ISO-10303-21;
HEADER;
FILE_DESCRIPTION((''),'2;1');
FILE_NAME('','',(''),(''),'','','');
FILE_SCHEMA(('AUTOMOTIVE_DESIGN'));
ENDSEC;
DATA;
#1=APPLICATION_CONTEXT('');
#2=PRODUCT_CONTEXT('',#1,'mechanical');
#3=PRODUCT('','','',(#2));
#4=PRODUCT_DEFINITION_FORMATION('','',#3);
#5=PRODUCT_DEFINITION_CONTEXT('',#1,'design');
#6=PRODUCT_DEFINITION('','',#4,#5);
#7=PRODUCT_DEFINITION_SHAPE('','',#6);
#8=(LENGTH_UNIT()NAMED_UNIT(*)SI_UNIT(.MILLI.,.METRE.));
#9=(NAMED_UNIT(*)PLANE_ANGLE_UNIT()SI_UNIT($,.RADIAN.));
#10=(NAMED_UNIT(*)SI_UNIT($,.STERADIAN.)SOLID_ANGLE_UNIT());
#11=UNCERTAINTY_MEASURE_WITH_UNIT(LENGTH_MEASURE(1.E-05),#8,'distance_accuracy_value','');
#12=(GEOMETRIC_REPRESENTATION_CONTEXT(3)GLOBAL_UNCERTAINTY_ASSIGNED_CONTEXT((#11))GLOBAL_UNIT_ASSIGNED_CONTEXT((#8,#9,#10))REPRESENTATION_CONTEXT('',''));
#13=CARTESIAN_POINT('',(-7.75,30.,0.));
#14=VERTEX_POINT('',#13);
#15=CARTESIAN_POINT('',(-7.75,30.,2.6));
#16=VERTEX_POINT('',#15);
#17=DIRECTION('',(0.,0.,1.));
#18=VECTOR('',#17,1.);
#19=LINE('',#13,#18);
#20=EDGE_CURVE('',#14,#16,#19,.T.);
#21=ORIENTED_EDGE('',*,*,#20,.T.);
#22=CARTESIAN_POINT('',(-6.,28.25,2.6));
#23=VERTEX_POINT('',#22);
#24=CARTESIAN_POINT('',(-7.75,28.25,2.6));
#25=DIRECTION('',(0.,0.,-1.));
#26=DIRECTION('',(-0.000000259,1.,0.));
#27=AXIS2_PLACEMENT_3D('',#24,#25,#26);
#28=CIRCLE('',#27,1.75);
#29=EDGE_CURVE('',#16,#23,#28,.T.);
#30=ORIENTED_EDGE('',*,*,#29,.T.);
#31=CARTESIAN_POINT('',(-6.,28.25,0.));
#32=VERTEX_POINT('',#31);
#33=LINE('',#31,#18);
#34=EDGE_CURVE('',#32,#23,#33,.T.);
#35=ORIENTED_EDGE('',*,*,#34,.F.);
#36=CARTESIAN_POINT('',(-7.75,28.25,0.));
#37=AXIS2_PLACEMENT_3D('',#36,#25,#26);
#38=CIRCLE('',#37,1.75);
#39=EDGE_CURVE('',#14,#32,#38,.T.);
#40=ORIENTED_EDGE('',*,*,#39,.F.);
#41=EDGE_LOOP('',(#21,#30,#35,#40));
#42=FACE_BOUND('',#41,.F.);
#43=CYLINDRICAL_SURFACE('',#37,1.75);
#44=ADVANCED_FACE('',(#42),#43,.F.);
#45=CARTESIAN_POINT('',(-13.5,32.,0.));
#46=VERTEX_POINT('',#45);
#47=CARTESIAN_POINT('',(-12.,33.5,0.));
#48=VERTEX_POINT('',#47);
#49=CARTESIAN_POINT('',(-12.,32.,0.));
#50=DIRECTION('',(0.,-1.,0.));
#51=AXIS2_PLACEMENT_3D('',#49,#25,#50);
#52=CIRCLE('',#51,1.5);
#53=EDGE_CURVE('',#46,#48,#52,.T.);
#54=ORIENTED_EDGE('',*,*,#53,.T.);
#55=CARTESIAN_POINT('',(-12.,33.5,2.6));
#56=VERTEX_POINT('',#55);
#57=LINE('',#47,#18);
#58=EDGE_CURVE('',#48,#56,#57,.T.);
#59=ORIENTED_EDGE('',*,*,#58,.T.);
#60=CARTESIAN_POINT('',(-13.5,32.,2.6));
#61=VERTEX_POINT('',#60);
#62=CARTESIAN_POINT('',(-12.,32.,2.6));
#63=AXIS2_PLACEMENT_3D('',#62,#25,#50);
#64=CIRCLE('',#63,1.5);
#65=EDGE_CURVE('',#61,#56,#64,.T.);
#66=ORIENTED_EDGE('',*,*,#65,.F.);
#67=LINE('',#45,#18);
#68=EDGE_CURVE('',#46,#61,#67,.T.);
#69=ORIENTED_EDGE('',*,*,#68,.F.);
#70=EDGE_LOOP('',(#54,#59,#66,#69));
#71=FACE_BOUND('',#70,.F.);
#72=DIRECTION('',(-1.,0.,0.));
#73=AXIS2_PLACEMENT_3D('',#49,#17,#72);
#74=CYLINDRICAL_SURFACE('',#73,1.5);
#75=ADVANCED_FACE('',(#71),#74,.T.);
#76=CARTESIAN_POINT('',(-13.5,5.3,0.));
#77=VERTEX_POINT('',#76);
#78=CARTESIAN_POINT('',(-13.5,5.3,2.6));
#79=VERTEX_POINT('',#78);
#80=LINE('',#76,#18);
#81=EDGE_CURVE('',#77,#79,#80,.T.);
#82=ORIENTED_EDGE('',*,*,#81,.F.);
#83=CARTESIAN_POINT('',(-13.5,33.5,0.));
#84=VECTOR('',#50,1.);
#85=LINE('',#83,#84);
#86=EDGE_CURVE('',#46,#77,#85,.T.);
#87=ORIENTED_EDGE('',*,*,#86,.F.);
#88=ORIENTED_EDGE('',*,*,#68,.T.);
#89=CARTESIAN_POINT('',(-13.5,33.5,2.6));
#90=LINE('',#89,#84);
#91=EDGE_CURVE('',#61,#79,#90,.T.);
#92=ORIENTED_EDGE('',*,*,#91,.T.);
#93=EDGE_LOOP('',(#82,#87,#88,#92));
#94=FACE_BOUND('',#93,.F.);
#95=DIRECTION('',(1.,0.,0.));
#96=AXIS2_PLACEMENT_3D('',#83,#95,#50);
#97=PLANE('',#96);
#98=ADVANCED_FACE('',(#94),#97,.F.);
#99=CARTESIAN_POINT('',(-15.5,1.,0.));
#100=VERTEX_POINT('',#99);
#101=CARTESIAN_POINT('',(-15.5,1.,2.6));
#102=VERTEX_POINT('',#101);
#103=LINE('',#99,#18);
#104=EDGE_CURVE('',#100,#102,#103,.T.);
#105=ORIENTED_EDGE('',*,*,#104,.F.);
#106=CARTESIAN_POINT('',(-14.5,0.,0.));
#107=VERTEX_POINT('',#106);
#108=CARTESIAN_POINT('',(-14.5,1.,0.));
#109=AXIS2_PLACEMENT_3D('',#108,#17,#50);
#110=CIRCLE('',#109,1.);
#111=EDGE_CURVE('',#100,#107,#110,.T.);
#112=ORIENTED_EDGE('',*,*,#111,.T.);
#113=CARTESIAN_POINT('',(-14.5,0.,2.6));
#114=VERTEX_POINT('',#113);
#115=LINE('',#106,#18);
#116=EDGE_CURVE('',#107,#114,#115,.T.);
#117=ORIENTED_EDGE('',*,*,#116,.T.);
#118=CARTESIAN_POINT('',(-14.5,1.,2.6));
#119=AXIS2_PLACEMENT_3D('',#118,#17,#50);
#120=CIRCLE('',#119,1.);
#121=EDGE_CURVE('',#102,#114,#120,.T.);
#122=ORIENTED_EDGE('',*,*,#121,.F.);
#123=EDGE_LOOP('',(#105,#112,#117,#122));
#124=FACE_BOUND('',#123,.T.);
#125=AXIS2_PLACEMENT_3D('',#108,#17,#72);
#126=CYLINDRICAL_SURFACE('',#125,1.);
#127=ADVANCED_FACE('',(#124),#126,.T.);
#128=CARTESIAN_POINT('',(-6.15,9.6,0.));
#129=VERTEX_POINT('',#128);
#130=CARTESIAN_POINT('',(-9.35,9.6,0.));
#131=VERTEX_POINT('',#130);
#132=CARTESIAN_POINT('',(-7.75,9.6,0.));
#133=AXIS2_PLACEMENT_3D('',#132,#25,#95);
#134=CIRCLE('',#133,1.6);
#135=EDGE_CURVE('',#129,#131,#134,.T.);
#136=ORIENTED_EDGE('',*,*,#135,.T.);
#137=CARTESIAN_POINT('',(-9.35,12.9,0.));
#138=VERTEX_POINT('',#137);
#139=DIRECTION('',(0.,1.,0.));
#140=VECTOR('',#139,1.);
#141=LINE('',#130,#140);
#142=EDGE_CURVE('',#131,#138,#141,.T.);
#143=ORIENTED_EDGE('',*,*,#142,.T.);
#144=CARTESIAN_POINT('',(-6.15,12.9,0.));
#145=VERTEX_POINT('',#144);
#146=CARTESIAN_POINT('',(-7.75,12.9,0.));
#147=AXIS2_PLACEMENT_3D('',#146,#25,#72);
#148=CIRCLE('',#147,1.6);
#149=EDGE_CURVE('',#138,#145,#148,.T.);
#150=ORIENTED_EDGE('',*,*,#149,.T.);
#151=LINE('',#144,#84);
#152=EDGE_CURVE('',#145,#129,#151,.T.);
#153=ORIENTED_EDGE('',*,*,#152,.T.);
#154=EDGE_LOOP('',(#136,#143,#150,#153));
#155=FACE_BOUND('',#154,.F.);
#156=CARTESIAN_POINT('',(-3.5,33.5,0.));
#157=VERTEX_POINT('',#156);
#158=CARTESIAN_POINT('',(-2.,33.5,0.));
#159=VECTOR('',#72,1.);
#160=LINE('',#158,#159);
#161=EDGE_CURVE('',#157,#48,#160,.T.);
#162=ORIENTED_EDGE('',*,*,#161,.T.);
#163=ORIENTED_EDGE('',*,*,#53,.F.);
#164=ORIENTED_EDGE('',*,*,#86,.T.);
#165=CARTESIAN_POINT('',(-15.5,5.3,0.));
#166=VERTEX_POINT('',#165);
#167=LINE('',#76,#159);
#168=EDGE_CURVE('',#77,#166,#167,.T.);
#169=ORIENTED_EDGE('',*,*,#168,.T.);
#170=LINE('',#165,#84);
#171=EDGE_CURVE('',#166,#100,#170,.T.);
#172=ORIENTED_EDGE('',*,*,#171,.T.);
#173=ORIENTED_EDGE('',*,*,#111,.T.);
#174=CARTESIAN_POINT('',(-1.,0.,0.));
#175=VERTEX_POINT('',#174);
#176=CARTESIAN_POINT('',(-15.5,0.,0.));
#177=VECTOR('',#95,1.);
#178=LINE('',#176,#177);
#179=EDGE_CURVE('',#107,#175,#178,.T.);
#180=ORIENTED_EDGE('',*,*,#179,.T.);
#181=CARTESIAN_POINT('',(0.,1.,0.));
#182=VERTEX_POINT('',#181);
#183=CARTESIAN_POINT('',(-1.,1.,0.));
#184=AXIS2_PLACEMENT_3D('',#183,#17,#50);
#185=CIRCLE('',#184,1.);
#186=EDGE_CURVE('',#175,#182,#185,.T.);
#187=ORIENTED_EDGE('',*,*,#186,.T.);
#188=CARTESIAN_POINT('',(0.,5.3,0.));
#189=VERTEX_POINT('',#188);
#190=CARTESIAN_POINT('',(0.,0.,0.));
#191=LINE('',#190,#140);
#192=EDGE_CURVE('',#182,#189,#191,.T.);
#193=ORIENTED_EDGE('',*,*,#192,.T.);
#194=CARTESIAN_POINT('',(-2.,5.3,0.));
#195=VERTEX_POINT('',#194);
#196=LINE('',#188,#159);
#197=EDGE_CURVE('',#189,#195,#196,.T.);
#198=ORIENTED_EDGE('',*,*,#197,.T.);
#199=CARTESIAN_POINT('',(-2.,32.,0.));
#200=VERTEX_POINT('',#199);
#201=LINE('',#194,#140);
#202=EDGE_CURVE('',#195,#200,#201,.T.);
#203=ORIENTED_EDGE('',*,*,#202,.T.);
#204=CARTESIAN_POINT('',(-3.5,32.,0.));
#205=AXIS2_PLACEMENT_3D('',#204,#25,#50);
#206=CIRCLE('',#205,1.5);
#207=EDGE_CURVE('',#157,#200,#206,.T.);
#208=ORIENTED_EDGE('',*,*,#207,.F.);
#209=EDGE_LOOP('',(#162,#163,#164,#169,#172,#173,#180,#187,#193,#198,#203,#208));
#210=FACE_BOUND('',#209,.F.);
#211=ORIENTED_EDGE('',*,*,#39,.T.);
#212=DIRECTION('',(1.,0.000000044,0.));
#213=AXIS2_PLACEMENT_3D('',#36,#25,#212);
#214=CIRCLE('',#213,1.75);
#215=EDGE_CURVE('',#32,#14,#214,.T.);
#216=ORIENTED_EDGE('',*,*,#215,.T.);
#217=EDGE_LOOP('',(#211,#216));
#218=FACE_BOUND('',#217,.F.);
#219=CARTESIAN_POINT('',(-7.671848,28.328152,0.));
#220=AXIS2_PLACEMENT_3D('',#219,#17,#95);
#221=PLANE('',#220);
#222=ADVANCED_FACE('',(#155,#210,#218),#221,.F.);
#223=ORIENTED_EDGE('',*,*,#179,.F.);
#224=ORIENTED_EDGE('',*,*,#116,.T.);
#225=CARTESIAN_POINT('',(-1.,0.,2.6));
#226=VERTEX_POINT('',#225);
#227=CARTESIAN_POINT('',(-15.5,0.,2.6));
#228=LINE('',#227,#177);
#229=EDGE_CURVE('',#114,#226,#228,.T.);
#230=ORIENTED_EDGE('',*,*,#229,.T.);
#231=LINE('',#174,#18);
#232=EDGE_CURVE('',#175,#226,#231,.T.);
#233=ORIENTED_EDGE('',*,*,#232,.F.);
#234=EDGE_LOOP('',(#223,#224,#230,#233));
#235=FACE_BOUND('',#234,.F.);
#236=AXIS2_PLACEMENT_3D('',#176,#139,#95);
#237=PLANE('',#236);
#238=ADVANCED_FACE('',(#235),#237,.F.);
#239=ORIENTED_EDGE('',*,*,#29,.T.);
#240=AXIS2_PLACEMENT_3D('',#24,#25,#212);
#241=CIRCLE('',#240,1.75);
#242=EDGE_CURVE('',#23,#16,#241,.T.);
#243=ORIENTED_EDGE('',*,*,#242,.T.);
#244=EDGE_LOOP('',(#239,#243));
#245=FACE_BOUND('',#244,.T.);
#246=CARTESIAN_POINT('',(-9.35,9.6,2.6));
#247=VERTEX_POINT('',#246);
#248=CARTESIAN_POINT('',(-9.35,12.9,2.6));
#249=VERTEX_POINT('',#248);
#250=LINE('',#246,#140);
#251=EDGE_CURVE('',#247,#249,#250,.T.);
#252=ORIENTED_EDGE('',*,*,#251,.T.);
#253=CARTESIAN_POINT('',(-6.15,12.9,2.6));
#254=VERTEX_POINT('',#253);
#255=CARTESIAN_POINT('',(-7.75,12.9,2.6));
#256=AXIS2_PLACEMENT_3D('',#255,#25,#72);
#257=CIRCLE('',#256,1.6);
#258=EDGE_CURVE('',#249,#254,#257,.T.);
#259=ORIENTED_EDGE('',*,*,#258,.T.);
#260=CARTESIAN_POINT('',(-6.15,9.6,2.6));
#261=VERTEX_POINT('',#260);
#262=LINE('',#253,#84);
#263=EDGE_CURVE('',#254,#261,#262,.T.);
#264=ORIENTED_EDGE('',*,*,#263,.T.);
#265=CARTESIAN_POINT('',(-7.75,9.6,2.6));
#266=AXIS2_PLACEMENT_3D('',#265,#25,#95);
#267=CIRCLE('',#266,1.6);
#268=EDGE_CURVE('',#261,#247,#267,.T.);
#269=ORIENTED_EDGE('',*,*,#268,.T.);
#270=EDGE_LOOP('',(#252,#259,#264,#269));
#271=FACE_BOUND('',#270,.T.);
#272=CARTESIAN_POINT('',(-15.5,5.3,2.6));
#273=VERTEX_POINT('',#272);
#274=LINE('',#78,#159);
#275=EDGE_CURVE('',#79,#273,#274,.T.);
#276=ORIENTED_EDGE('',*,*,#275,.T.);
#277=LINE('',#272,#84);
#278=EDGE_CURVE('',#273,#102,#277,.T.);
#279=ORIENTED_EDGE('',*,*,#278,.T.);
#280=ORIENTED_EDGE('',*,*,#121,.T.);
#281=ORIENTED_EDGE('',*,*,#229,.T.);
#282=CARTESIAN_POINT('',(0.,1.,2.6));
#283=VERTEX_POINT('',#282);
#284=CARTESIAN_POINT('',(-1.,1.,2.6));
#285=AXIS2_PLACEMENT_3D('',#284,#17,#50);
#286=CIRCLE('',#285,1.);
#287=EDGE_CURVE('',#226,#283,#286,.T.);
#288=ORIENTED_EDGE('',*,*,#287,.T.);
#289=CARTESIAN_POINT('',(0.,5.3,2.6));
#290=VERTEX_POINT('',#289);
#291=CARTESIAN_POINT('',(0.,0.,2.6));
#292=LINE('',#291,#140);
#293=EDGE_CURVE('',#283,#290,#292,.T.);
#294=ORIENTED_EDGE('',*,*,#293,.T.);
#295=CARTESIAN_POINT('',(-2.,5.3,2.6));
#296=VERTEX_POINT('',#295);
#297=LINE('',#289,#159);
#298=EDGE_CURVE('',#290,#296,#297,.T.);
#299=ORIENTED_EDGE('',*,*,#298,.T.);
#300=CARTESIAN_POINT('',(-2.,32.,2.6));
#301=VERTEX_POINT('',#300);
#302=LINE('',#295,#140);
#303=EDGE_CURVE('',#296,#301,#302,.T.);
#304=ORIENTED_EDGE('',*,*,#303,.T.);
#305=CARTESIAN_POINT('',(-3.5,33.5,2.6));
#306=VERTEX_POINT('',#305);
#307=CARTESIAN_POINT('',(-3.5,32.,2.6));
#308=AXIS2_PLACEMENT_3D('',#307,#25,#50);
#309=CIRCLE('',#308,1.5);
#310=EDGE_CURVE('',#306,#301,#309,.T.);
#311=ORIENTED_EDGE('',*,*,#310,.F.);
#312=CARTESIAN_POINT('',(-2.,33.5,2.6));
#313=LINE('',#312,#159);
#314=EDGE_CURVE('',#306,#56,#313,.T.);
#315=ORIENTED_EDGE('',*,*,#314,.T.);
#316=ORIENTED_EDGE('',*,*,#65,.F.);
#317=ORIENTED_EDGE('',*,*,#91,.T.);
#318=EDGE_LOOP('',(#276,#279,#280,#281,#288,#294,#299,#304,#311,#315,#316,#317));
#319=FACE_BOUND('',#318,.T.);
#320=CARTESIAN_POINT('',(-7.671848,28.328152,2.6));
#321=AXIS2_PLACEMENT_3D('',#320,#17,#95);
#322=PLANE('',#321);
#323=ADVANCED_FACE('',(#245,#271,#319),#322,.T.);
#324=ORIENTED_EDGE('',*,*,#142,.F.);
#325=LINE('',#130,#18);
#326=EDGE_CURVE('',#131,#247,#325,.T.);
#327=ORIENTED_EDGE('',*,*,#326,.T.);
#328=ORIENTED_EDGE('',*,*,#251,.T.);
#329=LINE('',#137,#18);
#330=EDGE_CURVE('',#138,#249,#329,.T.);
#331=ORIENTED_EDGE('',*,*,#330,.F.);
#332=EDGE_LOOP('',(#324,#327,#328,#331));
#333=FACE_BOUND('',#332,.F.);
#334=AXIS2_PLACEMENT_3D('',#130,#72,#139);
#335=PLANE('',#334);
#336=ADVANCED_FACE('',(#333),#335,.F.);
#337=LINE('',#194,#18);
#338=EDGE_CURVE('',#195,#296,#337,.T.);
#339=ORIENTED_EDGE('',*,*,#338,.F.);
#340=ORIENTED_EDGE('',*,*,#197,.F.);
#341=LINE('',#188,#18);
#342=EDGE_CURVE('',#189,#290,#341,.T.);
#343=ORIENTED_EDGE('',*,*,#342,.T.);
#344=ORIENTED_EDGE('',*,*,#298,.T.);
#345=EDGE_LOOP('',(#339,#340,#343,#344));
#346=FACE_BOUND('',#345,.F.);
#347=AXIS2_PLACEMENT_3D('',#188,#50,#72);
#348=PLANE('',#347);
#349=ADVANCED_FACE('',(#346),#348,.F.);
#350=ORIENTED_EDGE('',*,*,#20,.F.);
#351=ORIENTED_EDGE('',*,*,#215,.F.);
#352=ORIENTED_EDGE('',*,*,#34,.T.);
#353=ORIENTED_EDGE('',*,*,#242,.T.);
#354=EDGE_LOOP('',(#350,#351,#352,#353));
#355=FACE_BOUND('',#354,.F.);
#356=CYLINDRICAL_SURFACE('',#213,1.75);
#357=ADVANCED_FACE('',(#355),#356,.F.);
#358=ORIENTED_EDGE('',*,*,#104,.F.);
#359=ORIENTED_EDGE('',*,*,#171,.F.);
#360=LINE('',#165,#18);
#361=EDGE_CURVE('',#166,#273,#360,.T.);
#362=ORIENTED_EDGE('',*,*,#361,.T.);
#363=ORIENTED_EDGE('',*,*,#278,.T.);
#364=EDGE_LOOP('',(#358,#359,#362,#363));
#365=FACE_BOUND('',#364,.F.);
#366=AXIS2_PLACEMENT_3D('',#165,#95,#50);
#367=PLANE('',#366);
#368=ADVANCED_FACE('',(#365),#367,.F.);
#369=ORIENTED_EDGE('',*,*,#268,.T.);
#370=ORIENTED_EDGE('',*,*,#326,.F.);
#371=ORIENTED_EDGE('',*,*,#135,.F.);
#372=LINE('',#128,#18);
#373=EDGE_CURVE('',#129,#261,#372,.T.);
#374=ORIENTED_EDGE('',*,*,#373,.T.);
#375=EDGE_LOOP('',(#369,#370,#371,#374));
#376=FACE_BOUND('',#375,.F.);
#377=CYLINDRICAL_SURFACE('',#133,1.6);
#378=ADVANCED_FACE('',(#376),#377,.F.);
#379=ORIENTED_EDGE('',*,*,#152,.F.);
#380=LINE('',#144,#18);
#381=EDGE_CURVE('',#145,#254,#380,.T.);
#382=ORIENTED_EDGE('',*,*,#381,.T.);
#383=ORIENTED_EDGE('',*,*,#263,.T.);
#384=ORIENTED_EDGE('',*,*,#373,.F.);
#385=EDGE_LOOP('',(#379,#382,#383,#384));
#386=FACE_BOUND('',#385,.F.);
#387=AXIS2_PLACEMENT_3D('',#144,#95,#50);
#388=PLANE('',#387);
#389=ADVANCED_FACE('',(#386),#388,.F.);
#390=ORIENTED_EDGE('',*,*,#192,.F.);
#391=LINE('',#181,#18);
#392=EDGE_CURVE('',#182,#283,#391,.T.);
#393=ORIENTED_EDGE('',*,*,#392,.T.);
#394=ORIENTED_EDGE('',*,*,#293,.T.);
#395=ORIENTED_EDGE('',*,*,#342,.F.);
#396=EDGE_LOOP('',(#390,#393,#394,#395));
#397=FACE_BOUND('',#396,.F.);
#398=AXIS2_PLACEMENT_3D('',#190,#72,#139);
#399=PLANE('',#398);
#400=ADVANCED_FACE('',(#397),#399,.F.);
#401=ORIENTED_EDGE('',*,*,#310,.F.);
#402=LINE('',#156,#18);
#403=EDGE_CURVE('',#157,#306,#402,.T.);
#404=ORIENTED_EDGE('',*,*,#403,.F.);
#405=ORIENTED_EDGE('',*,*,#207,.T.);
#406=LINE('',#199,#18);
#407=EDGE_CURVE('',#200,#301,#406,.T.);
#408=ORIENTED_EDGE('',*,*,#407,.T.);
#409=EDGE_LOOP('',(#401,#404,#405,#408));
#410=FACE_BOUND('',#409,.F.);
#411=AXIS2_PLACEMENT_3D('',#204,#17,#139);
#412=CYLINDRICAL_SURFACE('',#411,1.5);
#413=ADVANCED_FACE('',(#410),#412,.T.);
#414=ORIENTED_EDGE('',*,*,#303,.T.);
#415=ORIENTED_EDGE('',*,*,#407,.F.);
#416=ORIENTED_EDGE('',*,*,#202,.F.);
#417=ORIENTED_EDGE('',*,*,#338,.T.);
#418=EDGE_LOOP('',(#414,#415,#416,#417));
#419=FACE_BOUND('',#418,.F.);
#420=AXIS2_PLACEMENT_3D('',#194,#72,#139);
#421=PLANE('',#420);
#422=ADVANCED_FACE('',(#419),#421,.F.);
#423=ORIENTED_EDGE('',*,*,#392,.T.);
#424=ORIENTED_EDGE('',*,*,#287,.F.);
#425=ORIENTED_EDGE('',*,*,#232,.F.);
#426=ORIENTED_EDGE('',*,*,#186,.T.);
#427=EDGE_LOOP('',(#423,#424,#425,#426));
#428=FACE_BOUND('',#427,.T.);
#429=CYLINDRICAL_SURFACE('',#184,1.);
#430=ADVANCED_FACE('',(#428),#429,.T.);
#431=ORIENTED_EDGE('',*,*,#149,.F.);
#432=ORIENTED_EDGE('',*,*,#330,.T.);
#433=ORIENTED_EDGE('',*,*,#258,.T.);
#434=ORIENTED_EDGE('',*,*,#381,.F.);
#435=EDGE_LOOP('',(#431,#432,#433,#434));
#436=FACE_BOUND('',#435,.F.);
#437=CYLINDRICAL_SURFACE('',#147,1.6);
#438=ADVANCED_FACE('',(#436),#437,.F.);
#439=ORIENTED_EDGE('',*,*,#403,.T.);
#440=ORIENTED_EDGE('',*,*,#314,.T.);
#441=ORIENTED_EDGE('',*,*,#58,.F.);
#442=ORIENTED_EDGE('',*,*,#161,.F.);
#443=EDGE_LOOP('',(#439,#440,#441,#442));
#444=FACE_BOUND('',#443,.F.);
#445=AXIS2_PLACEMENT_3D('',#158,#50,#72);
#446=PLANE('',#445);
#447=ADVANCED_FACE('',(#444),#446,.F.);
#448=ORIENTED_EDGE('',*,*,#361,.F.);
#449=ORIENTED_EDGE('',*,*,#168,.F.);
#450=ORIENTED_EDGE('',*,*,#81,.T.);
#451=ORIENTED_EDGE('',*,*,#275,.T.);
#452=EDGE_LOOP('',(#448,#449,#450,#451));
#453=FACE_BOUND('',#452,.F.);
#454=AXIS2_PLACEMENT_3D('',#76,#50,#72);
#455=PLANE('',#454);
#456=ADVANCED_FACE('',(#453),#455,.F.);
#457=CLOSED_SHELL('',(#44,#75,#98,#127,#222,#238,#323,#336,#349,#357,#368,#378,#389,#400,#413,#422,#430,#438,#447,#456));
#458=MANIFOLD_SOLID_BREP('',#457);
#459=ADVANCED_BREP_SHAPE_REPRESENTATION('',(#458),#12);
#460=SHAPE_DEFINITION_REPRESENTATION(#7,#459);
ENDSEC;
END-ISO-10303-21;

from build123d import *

# Parameters (mm, degrees)
F1_DEPTH = 2.6
F2_R     = 1.5
F3_R     = 1


with BuildPart() as f1:
    # F0 (on Top) → F1 (new body)
    with BuildSketch(Plane.XY):
        with BuildLine():
            ThreePointArc((-6, 28.25), (-6.512563, 29.487437), (-7.75, 30))
            ThreePointArc((-7.75, 30), (-8.987437, 27.012563), (-6, 28.25))
        make_face()
        Polygon((-7.75, 33.5), (-13.5, 33.5), (-13.5, 5.3), (-15.5, 5.3), (-15.5, 0), (0, 0), (0, 5.3), (-2, 5.3), (-2, 33.5), align=None)
        with BuildLine():
            Line((-6.15, 12.9), (-6.15, 9.6))
            ThreePointArc((-6.15, 9.6), (-7.75, 8), (-9.35, 9.6))
            Line((-9.35, 9.6), (-9.35, 12.9))
            ThreePointArc((-9.35, 12.9), (-7.75, 14.5), (-6.15, 12.9))
        make_face(mode=Mode.SUBTRACT)
        with BuildLine():
            ThreePointArc((-6, 28.25), (-8.987437, 27.012563), (-7.75, 30))
            ThreePointArc((-7.75, 30), (-6.512563, 29.487437), (-6, 28.25))
        make_face(mode=Mode.SUBTRACT)
    extrude(amount=F1_DEPTH)

    # F2
    f2_edges = [f1.edges().sort_by_distance(p)[0] for p in [
        (-13.5, 33.5, 1.3),
        (-2, 33.5, 1.3),
    ]]
    fillet(f2_edges, radius=F2_R)

    # F3
    f3_edges = [f1.edges().sort_by_distance(p)[0] for p in [
        (0, 0, 1.3),
        (-15.5, 0, 1.3),
    ]]
    fillet(f3_edges, radius=F3_R)


solid = f1.part
